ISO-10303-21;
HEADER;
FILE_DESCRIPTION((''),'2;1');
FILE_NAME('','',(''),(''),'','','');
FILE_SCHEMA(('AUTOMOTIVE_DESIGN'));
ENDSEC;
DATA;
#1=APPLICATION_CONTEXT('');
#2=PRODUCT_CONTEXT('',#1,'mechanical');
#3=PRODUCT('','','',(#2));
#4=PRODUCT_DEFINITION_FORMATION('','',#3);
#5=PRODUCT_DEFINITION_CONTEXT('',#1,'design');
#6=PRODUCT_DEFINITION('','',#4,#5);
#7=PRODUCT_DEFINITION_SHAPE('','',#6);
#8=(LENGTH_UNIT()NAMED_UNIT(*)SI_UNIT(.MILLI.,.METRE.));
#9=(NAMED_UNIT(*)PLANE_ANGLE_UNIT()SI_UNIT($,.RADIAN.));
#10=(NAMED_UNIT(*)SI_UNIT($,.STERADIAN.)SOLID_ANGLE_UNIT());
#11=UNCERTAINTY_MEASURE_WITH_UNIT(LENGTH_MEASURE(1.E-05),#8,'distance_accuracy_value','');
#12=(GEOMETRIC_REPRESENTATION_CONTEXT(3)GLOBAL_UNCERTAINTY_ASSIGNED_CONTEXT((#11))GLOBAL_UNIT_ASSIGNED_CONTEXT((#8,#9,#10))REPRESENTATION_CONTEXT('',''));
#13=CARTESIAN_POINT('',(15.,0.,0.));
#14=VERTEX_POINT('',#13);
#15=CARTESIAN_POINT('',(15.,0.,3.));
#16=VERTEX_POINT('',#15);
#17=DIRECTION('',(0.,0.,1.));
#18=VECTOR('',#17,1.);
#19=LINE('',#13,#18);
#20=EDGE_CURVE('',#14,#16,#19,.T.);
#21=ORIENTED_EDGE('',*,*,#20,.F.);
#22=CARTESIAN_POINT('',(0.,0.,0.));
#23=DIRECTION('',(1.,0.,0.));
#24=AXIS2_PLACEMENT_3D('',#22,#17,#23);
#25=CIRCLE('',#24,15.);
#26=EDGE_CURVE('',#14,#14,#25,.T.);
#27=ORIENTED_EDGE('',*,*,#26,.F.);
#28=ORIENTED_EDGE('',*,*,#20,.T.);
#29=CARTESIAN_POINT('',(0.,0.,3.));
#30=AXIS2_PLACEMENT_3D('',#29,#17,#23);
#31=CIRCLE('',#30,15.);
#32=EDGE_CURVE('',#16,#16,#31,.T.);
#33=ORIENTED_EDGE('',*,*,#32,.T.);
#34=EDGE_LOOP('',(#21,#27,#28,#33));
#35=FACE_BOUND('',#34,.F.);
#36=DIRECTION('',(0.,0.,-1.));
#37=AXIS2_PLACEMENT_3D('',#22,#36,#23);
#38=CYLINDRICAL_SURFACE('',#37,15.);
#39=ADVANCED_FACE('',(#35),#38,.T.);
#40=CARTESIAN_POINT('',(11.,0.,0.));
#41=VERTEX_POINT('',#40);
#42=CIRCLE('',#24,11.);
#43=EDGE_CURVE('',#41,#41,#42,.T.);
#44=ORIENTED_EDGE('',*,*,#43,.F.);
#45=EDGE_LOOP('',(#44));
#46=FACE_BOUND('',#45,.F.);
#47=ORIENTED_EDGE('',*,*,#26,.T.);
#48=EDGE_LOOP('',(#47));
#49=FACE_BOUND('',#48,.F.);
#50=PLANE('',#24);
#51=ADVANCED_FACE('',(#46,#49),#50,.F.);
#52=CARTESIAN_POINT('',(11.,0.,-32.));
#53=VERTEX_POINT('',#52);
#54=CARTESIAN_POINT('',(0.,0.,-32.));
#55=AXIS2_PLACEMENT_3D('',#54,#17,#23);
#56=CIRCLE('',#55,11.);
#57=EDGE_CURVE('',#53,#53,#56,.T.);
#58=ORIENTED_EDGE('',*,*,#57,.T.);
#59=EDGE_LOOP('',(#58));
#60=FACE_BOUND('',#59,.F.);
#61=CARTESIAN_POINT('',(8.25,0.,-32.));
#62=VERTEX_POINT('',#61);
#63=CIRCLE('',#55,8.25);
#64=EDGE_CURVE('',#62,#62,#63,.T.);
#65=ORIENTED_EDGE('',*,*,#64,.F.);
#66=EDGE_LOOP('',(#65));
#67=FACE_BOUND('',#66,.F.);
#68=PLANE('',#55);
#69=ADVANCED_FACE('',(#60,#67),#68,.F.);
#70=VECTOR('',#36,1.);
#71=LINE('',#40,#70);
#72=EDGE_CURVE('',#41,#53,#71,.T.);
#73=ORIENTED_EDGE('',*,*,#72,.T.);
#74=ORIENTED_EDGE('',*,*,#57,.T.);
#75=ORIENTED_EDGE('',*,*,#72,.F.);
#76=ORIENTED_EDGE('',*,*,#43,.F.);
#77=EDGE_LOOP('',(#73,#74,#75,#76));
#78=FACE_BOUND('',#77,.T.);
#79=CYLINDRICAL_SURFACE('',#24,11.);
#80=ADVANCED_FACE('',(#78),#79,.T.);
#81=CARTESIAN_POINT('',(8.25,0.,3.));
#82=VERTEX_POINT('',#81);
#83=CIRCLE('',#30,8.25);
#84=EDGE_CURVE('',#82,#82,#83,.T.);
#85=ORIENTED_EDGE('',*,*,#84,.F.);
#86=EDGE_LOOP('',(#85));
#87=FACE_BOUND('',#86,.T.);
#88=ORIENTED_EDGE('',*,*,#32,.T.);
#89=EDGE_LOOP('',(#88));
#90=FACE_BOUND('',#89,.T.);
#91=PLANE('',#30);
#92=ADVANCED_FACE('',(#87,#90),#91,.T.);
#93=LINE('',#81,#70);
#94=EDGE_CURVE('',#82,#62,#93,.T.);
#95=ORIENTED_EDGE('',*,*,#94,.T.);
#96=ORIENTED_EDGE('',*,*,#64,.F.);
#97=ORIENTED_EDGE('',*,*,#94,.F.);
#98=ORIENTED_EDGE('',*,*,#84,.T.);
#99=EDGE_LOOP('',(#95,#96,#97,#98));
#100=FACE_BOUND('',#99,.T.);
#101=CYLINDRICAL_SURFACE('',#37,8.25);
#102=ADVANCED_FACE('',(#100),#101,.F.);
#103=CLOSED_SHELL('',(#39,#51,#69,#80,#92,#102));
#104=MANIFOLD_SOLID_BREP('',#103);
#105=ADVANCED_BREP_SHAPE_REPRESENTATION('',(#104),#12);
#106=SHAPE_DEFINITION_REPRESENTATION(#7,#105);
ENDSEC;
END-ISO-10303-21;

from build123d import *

# Parameters (mm, degrees)
F0_R     = 11
F0_R_2   = 8.25
F1_DEPTH = 32
F0_R_3   = 15
F2_DEPTH = 3


with BuildPart() as f1:
    # F0 (on Top) → F1 (new body)
    with BuildSketch(Plane.XY):
        Circle(F0_R)
        Circle(F0_R_2, mode=Mode.SUBTRACT)
    extrude(amount=-F1_DEPTH)

    # F0 (on Top) → F2 (join)
    with BuildSketch(Plane.XY):
        Circle(F0_R_3)
        Circle(F0_R, mode=Mode.SUBTRACT)
        Circle(F0_R)
        Circle(F0_R_2, mode=Mode.SUBTRACT)
    extrude(amount=F2_DEPTH)


solid = f1.part
